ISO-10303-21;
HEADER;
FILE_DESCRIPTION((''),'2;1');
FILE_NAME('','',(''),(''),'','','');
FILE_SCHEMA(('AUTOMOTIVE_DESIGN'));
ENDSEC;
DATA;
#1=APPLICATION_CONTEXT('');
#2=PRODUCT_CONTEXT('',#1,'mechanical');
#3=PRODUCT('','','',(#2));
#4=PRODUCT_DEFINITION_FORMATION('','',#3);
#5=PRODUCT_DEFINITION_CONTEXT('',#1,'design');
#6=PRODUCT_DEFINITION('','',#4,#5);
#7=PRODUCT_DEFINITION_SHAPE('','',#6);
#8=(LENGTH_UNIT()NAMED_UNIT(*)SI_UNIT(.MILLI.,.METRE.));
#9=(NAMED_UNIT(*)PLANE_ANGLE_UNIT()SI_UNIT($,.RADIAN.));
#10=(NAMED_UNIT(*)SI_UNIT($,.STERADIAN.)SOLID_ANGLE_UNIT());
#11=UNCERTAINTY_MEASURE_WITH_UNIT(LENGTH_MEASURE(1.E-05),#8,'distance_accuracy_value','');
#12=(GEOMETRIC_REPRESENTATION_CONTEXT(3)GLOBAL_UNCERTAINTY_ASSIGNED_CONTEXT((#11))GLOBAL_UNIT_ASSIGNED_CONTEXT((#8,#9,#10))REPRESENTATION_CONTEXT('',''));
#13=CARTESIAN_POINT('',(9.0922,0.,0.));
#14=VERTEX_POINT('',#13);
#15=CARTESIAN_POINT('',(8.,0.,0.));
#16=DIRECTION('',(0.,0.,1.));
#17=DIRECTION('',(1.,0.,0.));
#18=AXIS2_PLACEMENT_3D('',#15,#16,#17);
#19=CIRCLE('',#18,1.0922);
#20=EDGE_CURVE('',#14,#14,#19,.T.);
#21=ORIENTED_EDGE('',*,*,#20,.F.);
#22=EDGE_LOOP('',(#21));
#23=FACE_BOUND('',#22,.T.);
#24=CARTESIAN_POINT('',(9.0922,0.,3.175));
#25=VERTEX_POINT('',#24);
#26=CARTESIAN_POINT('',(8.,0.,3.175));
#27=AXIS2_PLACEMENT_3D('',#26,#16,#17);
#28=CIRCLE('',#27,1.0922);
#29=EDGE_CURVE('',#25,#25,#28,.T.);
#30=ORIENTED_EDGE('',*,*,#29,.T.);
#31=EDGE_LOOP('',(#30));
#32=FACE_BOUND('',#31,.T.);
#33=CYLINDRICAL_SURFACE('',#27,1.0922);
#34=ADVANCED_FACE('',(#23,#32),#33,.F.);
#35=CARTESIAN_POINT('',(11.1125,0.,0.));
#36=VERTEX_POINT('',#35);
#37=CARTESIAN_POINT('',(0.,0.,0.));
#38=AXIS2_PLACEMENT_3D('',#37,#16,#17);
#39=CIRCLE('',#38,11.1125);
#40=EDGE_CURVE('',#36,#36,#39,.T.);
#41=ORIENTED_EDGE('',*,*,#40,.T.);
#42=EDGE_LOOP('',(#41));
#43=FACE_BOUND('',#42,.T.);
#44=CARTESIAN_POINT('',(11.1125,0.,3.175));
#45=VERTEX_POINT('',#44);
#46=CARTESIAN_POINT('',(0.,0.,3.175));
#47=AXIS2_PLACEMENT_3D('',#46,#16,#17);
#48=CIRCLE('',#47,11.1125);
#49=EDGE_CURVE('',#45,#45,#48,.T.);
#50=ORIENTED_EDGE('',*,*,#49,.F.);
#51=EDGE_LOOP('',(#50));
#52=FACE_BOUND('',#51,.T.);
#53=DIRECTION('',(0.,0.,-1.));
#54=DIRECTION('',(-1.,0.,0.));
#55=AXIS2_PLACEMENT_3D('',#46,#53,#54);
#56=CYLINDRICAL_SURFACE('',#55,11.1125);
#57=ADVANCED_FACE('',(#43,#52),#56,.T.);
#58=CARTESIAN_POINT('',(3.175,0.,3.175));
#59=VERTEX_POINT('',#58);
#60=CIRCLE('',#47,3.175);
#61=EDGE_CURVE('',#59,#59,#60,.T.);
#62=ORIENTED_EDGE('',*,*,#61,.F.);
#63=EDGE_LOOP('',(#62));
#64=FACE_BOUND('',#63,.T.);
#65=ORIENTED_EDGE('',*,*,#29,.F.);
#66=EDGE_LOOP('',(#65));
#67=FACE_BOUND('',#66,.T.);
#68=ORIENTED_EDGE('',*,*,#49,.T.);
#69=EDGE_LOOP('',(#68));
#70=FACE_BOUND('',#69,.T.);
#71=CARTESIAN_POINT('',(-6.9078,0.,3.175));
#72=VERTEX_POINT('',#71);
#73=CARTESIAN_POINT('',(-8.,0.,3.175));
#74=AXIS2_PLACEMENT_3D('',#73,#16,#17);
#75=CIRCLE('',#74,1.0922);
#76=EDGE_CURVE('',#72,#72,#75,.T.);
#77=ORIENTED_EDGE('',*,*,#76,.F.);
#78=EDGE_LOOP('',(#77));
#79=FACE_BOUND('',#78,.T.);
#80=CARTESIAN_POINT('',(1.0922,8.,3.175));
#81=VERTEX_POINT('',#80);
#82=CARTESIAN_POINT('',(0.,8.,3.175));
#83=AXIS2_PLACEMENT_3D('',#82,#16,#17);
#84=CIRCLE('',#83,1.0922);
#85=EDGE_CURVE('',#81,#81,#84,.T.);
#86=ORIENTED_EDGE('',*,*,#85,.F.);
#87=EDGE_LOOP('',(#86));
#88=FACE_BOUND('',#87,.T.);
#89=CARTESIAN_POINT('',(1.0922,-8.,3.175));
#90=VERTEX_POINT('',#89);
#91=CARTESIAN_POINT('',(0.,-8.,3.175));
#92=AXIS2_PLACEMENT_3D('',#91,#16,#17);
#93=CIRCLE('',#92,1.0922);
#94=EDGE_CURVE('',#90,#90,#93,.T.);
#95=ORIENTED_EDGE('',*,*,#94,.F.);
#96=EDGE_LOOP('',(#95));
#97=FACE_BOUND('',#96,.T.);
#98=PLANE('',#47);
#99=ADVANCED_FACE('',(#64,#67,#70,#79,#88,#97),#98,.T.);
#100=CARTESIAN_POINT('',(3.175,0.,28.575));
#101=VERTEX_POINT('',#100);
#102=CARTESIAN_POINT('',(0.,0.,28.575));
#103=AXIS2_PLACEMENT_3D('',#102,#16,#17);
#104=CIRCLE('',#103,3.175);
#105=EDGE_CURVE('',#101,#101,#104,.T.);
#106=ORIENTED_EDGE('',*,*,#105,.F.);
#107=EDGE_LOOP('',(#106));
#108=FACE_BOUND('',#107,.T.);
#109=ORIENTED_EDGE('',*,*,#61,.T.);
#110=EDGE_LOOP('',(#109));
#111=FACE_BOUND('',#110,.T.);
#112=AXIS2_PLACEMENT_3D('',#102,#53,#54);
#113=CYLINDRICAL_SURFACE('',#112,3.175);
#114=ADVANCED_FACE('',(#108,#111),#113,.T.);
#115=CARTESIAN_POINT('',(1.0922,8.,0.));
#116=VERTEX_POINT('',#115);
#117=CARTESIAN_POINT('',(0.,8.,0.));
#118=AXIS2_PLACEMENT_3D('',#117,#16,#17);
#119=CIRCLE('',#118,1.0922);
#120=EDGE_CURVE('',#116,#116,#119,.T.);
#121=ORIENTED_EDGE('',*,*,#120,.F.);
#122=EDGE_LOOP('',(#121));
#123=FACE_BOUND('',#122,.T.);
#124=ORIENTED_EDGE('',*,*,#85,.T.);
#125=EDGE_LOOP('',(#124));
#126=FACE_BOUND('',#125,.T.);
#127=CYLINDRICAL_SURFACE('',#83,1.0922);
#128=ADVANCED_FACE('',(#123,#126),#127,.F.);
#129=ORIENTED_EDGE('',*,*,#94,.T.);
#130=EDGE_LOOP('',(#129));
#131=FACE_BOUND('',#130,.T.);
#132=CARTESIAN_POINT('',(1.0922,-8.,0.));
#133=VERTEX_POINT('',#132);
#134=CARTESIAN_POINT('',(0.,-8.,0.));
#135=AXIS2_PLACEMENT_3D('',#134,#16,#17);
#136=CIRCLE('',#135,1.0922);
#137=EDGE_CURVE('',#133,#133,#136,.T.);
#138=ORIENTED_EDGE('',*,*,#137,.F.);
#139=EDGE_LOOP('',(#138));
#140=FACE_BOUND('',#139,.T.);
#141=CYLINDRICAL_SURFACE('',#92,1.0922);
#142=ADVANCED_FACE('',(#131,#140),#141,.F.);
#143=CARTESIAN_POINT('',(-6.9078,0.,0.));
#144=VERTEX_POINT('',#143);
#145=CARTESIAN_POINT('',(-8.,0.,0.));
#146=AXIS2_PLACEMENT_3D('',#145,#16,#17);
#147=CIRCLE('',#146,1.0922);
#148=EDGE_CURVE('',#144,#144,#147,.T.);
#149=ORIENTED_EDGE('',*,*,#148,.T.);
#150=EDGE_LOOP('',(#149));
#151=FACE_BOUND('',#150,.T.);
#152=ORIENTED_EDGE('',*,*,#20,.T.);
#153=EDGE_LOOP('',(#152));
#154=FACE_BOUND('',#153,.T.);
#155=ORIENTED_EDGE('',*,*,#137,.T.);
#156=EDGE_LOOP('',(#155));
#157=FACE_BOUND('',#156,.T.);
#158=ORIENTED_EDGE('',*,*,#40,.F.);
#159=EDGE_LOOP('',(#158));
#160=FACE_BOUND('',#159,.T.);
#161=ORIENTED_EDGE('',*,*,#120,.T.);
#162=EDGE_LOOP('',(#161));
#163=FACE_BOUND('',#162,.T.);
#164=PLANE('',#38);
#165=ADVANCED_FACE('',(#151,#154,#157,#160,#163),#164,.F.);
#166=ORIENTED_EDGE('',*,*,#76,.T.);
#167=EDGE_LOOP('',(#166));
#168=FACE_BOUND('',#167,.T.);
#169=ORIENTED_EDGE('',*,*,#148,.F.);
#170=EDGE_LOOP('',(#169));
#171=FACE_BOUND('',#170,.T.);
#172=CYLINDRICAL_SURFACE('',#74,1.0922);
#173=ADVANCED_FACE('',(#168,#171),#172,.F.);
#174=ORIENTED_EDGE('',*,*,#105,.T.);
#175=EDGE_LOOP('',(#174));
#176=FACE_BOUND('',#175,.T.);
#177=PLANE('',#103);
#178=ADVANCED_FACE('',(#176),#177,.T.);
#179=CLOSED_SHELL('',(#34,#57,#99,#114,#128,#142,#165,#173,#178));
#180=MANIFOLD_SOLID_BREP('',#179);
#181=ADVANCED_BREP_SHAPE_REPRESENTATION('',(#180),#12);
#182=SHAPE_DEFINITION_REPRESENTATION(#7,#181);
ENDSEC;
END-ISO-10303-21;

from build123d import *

# Parameters (mm, degrees)
SKETCH1_R                   = 11.1125
BOSS_EXTRUDE1_DEPTH         = 3.175
SKETCH2_R                   = 3.175
BOSS_EXTRUDE2_DEPTH         = 25.4
F_44_0_086_DIAMETER_HOLE1_D = 2.1844


with BuildPart() as part:
    # Sketch1 → Boss-Extrude1 (new body)
    with BuildSketch(Plane.XY):
        Circle(SKETCH1_R)
    extrude(amount=BOSS_EXTRUDE1_DEPTH)

    # Sketch2 → Boss-Extrude2 (add)
    with BuildSketch(Plane.XY.offset(3.175)):
        Circle(SKETCH2_R)
    extrude(amount=BOSS_EXTRUDE2_DEPTH)

    # #44 (0.086) Diameter Hole1 (through all)
    with Locations(Plane.XY.offset(3.175)):
        with Locations((0, 8), (0, -8), (-8, 0), (8, 0)):
            Hole(F_44_0_086_DIAMETER_HOLE1_D / 2)


solid = part.part
